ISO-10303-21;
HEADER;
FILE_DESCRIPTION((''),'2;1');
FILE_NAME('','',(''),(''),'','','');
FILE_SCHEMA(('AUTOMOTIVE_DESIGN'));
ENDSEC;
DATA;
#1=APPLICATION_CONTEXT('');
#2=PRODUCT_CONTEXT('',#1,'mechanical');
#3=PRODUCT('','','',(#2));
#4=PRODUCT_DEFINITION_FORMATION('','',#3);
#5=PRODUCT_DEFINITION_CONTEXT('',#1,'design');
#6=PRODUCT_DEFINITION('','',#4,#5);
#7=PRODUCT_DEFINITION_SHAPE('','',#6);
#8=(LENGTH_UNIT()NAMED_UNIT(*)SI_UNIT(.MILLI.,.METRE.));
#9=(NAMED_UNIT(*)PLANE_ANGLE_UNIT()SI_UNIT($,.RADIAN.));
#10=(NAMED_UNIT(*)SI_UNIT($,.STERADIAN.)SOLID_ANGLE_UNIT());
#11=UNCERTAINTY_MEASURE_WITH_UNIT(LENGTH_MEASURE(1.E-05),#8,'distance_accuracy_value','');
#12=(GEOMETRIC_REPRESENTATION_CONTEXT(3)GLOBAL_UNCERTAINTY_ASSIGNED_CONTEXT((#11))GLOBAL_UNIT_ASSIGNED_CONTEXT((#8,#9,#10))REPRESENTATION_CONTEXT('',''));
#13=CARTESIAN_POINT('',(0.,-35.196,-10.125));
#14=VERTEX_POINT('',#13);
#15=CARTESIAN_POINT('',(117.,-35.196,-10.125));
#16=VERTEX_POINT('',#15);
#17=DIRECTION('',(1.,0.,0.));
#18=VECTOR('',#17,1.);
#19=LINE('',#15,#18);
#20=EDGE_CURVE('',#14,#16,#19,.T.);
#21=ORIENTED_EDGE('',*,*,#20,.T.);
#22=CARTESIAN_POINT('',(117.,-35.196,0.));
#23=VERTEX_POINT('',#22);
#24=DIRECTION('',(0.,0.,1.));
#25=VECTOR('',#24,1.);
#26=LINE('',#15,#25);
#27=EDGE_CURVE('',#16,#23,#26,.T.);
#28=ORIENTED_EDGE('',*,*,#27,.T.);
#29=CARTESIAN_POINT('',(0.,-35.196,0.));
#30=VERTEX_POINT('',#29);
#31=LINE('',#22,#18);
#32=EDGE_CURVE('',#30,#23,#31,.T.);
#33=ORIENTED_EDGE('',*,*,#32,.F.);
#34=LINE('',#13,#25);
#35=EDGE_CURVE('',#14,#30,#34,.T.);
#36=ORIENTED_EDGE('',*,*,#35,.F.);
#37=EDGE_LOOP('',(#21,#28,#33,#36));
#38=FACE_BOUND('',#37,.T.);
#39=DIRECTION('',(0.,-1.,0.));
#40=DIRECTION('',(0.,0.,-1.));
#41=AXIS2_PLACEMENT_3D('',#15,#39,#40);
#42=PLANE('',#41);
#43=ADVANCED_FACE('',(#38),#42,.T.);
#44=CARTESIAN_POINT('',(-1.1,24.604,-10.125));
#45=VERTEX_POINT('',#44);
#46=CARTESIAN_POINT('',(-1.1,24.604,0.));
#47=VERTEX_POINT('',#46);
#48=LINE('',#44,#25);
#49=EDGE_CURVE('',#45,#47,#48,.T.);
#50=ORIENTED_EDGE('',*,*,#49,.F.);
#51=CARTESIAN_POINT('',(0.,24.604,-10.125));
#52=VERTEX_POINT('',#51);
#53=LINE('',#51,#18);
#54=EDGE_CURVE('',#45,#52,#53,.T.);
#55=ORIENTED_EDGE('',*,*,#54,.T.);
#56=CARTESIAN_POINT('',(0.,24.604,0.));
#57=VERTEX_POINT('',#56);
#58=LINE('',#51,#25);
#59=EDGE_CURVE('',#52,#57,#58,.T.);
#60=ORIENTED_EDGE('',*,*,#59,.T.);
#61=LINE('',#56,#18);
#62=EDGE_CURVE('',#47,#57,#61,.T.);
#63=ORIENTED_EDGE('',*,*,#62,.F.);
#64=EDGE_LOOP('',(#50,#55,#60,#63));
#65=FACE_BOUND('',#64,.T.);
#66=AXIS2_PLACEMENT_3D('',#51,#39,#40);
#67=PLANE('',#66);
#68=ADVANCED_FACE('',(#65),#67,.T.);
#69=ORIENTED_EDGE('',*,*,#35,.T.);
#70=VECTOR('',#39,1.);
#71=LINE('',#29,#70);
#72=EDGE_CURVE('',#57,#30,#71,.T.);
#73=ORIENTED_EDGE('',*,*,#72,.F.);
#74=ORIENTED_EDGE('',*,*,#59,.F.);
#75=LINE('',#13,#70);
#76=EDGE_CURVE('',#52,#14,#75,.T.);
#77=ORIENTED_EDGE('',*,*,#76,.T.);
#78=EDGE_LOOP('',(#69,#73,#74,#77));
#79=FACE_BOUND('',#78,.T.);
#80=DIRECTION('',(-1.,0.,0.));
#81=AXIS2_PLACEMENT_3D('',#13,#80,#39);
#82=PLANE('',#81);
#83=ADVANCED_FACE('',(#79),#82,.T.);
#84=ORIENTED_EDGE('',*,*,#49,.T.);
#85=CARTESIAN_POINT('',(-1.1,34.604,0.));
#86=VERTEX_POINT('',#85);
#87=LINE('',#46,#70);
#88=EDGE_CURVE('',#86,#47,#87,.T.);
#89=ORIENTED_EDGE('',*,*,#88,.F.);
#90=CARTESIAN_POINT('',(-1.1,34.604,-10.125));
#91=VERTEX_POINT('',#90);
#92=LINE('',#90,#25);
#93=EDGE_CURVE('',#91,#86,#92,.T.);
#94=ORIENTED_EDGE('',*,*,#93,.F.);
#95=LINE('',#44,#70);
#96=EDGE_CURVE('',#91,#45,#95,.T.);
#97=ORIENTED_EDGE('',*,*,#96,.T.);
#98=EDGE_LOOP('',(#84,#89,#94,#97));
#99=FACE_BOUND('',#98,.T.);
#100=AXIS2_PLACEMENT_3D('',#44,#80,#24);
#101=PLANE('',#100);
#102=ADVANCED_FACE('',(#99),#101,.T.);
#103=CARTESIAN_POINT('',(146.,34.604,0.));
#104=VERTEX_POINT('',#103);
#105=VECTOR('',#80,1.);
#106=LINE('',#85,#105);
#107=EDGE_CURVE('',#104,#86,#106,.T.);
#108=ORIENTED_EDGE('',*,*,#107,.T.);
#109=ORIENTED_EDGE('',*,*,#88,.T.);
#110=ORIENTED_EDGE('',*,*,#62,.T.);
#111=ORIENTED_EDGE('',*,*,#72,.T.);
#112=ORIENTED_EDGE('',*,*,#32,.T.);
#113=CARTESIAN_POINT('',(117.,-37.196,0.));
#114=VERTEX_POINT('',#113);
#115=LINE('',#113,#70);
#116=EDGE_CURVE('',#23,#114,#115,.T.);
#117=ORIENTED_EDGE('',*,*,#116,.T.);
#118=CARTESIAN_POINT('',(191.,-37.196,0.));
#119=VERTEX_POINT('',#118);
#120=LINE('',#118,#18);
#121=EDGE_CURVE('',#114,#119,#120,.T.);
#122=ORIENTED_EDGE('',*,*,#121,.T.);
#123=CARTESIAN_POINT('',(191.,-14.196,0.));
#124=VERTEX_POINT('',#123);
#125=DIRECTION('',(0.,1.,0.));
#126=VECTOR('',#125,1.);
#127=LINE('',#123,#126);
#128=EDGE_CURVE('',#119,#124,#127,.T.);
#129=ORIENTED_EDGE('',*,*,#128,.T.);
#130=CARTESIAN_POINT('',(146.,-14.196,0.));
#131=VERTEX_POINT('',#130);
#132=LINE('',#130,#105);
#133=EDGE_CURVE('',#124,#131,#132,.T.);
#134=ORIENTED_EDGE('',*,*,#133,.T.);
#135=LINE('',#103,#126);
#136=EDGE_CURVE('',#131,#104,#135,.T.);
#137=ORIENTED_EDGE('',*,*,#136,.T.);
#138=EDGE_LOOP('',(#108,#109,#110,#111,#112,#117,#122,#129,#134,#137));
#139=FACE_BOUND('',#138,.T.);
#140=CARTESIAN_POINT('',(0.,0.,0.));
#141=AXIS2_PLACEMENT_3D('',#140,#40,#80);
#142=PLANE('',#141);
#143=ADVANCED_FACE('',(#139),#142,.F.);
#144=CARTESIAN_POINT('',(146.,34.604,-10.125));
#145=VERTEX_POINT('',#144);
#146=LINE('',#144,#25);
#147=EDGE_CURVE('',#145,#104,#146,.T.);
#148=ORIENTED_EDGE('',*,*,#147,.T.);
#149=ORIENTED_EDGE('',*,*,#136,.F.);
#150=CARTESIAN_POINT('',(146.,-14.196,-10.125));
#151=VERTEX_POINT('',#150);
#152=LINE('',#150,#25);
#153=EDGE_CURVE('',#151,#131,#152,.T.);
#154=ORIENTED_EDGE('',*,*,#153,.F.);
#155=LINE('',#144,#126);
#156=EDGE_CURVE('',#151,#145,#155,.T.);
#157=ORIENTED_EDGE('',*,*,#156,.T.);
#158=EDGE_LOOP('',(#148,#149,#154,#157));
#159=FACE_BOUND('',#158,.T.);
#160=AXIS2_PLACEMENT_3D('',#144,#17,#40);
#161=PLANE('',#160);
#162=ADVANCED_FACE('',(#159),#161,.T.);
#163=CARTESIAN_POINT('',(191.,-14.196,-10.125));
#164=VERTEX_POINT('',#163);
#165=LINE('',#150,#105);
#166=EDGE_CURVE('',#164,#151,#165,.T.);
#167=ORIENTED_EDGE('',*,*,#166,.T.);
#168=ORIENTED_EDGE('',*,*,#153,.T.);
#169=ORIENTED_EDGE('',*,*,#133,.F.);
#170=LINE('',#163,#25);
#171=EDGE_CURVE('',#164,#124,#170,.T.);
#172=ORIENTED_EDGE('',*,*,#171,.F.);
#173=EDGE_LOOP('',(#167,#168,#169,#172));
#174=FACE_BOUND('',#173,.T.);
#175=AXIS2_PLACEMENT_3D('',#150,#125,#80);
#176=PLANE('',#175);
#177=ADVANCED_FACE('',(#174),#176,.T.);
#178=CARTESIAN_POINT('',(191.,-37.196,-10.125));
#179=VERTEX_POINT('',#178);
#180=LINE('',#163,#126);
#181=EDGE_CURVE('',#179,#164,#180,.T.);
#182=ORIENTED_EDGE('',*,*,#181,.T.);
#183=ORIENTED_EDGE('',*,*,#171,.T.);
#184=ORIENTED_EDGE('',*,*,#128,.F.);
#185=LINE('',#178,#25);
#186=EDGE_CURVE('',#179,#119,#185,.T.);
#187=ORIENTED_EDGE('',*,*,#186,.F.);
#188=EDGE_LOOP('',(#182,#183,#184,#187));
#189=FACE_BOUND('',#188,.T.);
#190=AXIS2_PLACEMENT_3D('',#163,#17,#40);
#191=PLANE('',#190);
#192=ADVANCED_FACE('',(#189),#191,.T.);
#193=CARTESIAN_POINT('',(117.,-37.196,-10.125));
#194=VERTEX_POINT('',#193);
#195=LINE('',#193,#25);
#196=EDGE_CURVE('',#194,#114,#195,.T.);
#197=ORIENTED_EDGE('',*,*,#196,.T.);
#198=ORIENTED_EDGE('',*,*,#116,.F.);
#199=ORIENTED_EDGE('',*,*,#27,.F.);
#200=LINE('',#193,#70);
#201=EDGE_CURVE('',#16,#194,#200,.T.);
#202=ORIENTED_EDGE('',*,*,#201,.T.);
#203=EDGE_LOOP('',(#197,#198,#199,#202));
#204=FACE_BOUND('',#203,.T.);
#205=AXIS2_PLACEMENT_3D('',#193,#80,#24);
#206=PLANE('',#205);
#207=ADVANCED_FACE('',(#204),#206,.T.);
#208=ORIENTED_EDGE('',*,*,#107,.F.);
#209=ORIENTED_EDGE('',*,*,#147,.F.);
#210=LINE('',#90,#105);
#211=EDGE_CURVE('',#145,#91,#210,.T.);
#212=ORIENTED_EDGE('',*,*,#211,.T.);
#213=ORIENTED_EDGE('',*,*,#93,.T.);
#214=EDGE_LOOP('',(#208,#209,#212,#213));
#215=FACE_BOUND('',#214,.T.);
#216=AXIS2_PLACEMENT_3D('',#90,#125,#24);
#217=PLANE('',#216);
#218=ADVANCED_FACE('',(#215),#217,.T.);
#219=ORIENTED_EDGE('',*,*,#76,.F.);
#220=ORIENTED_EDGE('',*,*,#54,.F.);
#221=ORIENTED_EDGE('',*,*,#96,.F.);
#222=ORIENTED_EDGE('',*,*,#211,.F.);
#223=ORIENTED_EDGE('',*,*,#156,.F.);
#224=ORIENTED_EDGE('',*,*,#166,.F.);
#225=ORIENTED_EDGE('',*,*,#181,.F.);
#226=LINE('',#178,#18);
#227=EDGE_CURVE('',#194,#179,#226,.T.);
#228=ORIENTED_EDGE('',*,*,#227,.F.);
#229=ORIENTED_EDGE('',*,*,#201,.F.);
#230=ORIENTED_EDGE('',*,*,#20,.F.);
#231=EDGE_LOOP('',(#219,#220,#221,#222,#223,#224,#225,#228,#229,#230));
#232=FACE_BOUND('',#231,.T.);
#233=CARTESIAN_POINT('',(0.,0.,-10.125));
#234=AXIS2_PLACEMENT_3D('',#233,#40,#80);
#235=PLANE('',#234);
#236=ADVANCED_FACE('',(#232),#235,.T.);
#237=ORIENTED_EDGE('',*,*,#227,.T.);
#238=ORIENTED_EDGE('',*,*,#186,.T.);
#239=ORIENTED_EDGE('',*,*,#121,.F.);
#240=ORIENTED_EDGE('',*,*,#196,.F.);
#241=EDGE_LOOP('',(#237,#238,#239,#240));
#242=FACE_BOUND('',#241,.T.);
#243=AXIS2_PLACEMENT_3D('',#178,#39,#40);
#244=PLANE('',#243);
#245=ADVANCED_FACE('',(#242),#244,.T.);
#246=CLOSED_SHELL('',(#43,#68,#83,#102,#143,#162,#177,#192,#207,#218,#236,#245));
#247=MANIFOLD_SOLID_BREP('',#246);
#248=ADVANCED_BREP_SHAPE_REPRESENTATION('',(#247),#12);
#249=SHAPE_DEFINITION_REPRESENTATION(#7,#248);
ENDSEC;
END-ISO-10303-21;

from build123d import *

# Parameters (mm, degrees)
BOSS_EXTRUDE1_DEPTH = 10.125


with BuildPart() as part:
    # Sketch2 → Boss-Extrude1 (new body)
    with BuildSketch(Plane.XY):
        Polygon((191, -14.196), (191, -37.196), (117, -37.196), (117, -35.196), (0, -35.196), (0, 24.604), (-1.1, 24.604), (-1.1, 34.604), (146, 34.604), (146, -14.196), align=None)
    extrude(amount=-BOSS_EXTRUDE1_DEPTH)


solid = part.part
